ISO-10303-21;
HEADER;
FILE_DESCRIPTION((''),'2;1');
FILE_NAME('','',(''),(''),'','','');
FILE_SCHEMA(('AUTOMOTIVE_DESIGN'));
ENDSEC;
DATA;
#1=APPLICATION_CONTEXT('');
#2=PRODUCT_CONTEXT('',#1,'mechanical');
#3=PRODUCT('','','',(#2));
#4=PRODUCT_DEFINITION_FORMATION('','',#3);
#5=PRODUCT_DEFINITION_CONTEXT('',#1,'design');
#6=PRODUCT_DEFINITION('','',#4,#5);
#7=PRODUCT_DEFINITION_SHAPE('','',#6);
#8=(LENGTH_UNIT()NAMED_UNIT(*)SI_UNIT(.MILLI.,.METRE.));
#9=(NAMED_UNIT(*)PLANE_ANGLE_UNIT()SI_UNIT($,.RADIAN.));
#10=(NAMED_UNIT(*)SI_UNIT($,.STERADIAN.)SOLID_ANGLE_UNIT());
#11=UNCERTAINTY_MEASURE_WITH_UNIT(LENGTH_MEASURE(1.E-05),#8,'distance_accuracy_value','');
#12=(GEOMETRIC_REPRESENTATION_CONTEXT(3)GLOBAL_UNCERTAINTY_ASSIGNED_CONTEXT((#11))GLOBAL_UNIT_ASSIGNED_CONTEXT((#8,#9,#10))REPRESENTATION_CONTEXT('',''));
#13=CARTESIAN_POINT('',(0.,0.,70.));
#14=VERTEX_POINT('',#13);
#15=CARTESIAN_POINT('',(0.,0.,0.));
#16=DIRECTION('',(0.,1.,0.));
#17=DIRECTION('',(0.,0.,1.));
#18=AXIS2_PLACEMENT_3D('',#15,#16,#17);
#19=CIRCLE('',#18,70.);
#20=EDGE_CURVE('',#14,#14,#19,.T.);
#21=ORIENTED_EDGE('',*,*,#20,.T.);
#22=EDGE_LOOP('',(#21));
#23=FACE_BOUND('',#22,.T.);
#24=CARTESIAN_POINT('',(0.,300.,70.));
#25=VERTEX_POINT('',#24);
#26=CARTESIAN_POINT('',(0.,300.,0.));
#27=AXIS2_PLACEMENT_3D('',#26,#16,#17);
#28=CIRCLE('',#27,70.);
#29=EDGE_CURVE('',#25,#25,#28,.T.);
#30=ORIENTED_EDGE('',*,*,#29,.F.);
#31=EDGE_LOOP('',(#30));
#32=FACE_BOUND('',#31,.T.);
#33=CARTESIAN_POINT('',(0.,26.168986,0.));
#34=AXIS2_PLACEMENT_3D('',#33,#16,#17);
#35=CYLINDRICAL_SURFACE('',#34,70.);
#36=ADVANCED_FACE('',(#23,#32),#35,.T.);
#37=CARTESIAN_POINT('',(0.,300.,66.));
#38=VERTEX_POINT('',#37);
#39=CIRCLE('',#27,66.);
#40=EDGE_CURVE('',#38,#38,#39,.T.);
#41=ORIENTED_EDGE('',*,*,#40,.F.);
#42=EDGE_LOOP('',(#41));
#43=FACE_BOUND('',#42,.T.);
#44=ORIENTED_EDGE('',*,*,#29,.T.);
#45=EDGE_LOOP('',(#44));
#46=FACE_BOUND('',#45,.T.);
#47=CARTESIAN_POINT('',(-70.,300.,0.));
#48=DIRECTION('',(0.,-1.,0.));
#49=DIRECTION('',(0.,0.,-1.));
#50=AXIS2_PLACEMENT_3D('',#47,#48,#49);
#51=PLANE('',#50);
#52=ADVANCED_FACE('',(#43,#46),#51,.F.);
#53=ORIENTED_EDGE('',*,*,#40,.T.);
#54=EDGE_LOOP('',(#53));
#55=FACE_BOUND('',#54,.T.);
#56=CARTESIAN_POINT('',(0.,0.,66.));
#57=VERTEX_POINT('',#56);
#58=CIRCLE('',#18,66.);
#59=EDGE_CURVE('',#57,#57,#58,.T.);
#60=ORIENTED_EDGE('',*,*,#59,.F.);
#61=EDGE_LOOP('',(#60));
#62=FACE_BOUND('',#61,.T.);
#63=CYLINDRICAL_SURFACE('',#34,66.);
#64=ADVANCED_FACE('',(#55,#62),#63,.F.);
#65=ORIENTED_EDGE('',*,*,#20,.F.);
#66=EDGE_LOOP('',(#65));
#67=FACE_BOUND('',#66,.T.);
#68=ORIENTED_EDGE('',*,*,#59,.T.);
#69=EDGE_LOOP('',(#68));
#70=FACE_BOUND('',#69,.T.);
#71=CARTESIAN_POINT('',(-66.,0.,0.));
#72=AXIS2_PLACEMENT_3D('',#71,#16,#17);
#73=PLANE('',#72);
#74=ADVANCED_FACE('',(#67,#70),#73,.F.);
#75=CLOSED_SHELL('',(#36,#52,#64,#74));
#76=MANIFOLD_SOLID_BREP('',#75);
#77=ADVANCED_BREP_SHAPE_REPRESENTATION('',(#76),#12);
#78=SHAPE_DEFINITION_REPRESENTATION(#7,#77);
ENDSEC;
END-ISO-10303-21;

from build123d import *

# Parameters (mm, degrees)
SKETCH_1_W = 4
SKETCH_1_H = 300


with BuildPart() as part:
    # Эскиз1 → Повернуть-Тонкостенный1 (revolve)
    with BuildSketch(Plane.XY):
        with Locations((-68, 150)):
            Rectangle(SKETCH_1_W, SKETCH_1_H)
    revolve(axis=Axis((0, 26.168985987, 0), (0, -1, 0)))


solid = part.part
